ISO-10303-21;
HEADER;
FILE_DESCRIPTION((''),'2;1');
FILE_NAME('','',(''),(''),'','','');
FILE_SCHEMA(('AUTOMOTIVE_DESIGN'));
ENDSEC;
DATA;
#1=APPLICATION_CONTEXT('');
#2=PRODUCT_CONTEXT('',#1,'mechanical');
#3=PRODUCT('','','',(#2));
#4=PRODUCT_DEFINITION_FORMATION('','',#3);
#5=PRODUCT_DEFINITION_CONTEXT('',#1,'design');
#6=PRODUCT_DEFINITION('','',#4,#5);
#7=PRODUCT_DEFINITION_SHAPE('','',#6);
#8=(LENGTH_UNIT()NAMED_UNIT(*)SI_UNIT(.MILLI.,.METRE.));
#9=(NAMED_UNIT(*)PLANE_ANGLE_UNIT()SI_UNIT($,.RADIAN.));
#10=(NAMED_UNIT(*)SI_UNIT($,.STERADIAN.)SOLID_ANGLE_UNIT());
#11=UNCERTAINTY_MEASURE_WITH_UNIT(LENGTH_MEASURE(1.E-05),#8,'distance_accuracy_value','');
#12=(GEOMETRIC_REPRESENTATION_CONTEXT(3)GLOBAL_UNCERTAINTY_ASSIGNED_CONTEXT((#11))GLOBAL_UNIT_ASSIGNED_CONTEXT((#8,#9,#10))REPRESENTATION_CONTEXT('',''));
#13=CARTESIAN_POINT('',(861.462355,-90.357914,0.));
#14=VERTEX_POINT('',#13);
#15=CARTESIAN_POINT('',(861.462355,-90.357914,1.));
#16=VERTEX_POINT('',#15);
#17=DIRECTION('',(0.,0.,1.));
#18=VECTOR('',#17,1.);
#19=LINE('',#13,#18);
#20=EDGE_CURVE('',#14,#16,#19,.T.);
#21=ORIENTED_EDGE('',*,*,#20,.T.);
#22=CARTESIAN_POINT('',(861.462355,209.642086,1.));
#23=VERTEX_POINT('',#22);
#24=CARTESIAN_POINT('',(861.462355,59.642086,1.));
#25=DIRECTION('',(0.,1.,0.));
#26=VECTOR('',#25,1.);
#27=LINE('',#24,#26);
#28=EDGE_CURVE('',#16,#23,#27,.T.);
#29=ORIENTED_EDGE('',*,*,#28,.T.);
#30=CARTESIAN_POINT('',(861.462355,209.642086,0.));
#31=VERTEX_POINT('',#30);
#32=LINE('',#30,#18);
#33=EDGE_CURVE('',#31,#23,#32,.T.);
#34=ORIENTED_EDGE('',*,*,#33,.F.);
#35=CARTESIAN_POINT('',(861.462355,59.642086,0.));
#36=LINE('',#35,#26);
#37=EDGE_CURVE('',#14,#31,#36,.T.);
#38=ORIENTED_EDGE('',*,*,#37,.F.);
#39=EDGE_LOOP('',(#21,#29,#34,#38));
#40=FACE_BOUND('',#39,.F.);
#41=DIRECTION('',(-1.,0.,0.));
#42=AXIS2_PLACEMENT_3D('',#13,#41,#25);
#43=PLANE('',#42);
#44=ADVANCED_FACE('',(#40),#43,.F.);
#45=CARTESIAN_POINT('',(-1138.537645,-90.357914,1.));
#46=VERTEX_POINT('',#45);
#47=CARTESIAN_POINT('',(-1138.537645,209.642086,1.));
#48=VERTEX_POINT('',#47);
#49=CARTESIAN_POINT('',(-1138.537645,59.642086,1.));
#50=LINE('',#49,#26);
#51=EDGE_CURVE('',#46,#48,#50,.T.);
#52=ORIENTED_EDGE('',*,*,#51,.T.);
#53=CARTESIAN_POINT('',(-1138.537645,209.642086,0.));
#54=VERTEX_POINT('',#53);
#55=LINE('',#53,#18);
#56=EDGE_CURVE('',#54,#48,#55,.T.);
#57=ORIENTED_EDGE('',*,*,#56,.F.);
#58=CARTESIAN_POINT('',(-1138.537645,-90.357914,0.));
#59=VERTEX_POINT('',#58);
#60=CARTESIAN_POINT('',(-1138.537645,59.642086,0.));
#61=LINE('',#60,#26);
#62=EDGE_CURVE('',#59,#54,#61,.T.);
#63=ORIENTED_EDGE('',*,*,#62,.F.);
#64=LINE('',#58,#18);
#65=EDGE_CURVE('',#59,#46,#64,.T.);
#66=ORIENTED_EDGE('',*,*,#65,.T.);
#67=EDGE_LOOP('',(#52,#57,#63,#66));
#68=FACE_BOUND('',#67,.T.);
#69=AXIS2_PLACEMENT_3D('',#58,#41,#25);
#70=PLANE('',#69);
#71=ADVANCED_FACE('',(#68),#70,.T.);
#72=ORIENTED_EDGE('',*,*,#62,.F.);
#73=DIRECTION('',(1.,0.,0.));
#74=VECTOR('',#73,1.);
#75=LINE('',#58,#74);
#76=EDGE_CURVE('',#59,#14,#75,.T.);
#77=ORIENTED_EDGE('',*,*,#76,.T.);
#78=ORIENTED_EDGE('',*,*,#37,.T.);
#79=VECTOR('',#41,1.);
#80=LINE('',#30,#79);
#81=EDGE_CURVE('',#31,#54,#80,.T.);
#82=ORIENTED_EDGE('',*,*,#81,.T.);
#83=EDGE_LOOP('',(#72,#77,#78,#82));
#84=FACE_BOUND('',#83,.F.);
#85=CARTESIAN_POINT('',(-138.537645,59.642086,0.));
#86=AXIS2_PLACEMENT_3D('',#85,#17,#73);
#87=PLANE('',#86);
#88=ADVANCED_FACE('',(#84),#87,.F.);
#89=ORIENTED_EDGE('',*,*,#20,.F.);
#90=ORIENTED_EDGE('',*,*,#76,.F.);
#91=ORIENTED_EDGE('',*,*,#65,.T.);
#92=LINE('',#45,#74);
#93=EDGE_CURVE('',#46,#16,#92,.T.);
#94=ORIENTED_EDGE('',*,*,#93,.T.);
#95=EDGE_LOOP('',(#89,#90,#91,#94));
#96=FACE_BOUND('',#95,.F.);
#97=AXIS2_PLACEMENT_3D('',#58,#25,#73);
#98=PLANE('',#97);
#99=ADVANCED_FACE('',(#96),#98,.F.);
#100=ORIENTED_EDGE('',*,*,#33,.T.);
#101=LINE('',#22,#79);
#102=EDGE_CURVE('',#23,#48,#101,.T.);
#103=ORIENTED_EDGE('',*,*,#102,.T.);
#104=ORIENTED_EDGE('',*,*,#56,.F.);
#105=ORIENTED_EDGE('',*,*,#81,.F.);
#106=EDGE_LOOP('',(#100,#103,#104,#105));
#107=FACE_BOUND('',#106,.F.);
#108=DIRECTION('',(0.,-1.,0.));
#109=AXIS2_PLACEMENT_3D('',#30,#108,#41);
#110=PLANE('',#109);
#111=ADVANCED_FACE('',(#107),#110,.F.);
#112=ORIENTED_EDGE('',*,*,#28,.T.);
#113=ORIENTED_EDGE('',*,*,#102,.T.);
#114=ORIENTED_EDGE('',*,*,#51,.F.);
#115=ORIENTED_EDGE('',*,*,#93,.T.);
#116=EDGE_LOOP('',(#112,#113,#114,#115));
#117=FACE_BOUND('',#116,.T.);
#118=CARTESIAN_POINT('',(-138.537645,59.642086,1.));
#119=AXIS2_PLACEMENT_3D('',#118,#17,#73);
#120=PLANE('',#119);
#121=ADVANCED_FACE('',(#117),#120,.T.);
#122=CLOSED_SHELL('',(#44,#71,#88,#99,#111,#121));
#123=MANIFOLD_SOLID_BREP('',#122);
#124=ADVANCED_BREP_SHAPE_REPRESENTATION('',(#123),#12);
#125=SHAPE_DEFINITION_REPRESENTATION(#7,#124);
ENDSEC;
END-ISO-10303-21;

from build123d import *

# Parameters (mm, degrees)
F0_W     = 400
F0_H     = 300
F1_DEPTH = 1


with BuildPart() as f1:
    # F0 (on Top) → F1 (new body)
    with BuildSketch(Plane.XY):
        with Locations((-138.537645, 59.642086)):
            Rectangle(F0_W, F0_H)
        with Locations((-538.537645, 59.642086)):
            Rectangle(F0_W, F0_H)
        with Locations((261.462355, 59.642086)):
            Rectangle(F0_W, F0_H)
        with Locations((-938.537645, 59.642086)):
            Rectangle(F0_W, F0_H)
        with Locations((661.462355, 59.642086)):
            Rectangle(F0_W, F0_H)
    extrude(amount=F1_DEPTH)


solid = f1.part
